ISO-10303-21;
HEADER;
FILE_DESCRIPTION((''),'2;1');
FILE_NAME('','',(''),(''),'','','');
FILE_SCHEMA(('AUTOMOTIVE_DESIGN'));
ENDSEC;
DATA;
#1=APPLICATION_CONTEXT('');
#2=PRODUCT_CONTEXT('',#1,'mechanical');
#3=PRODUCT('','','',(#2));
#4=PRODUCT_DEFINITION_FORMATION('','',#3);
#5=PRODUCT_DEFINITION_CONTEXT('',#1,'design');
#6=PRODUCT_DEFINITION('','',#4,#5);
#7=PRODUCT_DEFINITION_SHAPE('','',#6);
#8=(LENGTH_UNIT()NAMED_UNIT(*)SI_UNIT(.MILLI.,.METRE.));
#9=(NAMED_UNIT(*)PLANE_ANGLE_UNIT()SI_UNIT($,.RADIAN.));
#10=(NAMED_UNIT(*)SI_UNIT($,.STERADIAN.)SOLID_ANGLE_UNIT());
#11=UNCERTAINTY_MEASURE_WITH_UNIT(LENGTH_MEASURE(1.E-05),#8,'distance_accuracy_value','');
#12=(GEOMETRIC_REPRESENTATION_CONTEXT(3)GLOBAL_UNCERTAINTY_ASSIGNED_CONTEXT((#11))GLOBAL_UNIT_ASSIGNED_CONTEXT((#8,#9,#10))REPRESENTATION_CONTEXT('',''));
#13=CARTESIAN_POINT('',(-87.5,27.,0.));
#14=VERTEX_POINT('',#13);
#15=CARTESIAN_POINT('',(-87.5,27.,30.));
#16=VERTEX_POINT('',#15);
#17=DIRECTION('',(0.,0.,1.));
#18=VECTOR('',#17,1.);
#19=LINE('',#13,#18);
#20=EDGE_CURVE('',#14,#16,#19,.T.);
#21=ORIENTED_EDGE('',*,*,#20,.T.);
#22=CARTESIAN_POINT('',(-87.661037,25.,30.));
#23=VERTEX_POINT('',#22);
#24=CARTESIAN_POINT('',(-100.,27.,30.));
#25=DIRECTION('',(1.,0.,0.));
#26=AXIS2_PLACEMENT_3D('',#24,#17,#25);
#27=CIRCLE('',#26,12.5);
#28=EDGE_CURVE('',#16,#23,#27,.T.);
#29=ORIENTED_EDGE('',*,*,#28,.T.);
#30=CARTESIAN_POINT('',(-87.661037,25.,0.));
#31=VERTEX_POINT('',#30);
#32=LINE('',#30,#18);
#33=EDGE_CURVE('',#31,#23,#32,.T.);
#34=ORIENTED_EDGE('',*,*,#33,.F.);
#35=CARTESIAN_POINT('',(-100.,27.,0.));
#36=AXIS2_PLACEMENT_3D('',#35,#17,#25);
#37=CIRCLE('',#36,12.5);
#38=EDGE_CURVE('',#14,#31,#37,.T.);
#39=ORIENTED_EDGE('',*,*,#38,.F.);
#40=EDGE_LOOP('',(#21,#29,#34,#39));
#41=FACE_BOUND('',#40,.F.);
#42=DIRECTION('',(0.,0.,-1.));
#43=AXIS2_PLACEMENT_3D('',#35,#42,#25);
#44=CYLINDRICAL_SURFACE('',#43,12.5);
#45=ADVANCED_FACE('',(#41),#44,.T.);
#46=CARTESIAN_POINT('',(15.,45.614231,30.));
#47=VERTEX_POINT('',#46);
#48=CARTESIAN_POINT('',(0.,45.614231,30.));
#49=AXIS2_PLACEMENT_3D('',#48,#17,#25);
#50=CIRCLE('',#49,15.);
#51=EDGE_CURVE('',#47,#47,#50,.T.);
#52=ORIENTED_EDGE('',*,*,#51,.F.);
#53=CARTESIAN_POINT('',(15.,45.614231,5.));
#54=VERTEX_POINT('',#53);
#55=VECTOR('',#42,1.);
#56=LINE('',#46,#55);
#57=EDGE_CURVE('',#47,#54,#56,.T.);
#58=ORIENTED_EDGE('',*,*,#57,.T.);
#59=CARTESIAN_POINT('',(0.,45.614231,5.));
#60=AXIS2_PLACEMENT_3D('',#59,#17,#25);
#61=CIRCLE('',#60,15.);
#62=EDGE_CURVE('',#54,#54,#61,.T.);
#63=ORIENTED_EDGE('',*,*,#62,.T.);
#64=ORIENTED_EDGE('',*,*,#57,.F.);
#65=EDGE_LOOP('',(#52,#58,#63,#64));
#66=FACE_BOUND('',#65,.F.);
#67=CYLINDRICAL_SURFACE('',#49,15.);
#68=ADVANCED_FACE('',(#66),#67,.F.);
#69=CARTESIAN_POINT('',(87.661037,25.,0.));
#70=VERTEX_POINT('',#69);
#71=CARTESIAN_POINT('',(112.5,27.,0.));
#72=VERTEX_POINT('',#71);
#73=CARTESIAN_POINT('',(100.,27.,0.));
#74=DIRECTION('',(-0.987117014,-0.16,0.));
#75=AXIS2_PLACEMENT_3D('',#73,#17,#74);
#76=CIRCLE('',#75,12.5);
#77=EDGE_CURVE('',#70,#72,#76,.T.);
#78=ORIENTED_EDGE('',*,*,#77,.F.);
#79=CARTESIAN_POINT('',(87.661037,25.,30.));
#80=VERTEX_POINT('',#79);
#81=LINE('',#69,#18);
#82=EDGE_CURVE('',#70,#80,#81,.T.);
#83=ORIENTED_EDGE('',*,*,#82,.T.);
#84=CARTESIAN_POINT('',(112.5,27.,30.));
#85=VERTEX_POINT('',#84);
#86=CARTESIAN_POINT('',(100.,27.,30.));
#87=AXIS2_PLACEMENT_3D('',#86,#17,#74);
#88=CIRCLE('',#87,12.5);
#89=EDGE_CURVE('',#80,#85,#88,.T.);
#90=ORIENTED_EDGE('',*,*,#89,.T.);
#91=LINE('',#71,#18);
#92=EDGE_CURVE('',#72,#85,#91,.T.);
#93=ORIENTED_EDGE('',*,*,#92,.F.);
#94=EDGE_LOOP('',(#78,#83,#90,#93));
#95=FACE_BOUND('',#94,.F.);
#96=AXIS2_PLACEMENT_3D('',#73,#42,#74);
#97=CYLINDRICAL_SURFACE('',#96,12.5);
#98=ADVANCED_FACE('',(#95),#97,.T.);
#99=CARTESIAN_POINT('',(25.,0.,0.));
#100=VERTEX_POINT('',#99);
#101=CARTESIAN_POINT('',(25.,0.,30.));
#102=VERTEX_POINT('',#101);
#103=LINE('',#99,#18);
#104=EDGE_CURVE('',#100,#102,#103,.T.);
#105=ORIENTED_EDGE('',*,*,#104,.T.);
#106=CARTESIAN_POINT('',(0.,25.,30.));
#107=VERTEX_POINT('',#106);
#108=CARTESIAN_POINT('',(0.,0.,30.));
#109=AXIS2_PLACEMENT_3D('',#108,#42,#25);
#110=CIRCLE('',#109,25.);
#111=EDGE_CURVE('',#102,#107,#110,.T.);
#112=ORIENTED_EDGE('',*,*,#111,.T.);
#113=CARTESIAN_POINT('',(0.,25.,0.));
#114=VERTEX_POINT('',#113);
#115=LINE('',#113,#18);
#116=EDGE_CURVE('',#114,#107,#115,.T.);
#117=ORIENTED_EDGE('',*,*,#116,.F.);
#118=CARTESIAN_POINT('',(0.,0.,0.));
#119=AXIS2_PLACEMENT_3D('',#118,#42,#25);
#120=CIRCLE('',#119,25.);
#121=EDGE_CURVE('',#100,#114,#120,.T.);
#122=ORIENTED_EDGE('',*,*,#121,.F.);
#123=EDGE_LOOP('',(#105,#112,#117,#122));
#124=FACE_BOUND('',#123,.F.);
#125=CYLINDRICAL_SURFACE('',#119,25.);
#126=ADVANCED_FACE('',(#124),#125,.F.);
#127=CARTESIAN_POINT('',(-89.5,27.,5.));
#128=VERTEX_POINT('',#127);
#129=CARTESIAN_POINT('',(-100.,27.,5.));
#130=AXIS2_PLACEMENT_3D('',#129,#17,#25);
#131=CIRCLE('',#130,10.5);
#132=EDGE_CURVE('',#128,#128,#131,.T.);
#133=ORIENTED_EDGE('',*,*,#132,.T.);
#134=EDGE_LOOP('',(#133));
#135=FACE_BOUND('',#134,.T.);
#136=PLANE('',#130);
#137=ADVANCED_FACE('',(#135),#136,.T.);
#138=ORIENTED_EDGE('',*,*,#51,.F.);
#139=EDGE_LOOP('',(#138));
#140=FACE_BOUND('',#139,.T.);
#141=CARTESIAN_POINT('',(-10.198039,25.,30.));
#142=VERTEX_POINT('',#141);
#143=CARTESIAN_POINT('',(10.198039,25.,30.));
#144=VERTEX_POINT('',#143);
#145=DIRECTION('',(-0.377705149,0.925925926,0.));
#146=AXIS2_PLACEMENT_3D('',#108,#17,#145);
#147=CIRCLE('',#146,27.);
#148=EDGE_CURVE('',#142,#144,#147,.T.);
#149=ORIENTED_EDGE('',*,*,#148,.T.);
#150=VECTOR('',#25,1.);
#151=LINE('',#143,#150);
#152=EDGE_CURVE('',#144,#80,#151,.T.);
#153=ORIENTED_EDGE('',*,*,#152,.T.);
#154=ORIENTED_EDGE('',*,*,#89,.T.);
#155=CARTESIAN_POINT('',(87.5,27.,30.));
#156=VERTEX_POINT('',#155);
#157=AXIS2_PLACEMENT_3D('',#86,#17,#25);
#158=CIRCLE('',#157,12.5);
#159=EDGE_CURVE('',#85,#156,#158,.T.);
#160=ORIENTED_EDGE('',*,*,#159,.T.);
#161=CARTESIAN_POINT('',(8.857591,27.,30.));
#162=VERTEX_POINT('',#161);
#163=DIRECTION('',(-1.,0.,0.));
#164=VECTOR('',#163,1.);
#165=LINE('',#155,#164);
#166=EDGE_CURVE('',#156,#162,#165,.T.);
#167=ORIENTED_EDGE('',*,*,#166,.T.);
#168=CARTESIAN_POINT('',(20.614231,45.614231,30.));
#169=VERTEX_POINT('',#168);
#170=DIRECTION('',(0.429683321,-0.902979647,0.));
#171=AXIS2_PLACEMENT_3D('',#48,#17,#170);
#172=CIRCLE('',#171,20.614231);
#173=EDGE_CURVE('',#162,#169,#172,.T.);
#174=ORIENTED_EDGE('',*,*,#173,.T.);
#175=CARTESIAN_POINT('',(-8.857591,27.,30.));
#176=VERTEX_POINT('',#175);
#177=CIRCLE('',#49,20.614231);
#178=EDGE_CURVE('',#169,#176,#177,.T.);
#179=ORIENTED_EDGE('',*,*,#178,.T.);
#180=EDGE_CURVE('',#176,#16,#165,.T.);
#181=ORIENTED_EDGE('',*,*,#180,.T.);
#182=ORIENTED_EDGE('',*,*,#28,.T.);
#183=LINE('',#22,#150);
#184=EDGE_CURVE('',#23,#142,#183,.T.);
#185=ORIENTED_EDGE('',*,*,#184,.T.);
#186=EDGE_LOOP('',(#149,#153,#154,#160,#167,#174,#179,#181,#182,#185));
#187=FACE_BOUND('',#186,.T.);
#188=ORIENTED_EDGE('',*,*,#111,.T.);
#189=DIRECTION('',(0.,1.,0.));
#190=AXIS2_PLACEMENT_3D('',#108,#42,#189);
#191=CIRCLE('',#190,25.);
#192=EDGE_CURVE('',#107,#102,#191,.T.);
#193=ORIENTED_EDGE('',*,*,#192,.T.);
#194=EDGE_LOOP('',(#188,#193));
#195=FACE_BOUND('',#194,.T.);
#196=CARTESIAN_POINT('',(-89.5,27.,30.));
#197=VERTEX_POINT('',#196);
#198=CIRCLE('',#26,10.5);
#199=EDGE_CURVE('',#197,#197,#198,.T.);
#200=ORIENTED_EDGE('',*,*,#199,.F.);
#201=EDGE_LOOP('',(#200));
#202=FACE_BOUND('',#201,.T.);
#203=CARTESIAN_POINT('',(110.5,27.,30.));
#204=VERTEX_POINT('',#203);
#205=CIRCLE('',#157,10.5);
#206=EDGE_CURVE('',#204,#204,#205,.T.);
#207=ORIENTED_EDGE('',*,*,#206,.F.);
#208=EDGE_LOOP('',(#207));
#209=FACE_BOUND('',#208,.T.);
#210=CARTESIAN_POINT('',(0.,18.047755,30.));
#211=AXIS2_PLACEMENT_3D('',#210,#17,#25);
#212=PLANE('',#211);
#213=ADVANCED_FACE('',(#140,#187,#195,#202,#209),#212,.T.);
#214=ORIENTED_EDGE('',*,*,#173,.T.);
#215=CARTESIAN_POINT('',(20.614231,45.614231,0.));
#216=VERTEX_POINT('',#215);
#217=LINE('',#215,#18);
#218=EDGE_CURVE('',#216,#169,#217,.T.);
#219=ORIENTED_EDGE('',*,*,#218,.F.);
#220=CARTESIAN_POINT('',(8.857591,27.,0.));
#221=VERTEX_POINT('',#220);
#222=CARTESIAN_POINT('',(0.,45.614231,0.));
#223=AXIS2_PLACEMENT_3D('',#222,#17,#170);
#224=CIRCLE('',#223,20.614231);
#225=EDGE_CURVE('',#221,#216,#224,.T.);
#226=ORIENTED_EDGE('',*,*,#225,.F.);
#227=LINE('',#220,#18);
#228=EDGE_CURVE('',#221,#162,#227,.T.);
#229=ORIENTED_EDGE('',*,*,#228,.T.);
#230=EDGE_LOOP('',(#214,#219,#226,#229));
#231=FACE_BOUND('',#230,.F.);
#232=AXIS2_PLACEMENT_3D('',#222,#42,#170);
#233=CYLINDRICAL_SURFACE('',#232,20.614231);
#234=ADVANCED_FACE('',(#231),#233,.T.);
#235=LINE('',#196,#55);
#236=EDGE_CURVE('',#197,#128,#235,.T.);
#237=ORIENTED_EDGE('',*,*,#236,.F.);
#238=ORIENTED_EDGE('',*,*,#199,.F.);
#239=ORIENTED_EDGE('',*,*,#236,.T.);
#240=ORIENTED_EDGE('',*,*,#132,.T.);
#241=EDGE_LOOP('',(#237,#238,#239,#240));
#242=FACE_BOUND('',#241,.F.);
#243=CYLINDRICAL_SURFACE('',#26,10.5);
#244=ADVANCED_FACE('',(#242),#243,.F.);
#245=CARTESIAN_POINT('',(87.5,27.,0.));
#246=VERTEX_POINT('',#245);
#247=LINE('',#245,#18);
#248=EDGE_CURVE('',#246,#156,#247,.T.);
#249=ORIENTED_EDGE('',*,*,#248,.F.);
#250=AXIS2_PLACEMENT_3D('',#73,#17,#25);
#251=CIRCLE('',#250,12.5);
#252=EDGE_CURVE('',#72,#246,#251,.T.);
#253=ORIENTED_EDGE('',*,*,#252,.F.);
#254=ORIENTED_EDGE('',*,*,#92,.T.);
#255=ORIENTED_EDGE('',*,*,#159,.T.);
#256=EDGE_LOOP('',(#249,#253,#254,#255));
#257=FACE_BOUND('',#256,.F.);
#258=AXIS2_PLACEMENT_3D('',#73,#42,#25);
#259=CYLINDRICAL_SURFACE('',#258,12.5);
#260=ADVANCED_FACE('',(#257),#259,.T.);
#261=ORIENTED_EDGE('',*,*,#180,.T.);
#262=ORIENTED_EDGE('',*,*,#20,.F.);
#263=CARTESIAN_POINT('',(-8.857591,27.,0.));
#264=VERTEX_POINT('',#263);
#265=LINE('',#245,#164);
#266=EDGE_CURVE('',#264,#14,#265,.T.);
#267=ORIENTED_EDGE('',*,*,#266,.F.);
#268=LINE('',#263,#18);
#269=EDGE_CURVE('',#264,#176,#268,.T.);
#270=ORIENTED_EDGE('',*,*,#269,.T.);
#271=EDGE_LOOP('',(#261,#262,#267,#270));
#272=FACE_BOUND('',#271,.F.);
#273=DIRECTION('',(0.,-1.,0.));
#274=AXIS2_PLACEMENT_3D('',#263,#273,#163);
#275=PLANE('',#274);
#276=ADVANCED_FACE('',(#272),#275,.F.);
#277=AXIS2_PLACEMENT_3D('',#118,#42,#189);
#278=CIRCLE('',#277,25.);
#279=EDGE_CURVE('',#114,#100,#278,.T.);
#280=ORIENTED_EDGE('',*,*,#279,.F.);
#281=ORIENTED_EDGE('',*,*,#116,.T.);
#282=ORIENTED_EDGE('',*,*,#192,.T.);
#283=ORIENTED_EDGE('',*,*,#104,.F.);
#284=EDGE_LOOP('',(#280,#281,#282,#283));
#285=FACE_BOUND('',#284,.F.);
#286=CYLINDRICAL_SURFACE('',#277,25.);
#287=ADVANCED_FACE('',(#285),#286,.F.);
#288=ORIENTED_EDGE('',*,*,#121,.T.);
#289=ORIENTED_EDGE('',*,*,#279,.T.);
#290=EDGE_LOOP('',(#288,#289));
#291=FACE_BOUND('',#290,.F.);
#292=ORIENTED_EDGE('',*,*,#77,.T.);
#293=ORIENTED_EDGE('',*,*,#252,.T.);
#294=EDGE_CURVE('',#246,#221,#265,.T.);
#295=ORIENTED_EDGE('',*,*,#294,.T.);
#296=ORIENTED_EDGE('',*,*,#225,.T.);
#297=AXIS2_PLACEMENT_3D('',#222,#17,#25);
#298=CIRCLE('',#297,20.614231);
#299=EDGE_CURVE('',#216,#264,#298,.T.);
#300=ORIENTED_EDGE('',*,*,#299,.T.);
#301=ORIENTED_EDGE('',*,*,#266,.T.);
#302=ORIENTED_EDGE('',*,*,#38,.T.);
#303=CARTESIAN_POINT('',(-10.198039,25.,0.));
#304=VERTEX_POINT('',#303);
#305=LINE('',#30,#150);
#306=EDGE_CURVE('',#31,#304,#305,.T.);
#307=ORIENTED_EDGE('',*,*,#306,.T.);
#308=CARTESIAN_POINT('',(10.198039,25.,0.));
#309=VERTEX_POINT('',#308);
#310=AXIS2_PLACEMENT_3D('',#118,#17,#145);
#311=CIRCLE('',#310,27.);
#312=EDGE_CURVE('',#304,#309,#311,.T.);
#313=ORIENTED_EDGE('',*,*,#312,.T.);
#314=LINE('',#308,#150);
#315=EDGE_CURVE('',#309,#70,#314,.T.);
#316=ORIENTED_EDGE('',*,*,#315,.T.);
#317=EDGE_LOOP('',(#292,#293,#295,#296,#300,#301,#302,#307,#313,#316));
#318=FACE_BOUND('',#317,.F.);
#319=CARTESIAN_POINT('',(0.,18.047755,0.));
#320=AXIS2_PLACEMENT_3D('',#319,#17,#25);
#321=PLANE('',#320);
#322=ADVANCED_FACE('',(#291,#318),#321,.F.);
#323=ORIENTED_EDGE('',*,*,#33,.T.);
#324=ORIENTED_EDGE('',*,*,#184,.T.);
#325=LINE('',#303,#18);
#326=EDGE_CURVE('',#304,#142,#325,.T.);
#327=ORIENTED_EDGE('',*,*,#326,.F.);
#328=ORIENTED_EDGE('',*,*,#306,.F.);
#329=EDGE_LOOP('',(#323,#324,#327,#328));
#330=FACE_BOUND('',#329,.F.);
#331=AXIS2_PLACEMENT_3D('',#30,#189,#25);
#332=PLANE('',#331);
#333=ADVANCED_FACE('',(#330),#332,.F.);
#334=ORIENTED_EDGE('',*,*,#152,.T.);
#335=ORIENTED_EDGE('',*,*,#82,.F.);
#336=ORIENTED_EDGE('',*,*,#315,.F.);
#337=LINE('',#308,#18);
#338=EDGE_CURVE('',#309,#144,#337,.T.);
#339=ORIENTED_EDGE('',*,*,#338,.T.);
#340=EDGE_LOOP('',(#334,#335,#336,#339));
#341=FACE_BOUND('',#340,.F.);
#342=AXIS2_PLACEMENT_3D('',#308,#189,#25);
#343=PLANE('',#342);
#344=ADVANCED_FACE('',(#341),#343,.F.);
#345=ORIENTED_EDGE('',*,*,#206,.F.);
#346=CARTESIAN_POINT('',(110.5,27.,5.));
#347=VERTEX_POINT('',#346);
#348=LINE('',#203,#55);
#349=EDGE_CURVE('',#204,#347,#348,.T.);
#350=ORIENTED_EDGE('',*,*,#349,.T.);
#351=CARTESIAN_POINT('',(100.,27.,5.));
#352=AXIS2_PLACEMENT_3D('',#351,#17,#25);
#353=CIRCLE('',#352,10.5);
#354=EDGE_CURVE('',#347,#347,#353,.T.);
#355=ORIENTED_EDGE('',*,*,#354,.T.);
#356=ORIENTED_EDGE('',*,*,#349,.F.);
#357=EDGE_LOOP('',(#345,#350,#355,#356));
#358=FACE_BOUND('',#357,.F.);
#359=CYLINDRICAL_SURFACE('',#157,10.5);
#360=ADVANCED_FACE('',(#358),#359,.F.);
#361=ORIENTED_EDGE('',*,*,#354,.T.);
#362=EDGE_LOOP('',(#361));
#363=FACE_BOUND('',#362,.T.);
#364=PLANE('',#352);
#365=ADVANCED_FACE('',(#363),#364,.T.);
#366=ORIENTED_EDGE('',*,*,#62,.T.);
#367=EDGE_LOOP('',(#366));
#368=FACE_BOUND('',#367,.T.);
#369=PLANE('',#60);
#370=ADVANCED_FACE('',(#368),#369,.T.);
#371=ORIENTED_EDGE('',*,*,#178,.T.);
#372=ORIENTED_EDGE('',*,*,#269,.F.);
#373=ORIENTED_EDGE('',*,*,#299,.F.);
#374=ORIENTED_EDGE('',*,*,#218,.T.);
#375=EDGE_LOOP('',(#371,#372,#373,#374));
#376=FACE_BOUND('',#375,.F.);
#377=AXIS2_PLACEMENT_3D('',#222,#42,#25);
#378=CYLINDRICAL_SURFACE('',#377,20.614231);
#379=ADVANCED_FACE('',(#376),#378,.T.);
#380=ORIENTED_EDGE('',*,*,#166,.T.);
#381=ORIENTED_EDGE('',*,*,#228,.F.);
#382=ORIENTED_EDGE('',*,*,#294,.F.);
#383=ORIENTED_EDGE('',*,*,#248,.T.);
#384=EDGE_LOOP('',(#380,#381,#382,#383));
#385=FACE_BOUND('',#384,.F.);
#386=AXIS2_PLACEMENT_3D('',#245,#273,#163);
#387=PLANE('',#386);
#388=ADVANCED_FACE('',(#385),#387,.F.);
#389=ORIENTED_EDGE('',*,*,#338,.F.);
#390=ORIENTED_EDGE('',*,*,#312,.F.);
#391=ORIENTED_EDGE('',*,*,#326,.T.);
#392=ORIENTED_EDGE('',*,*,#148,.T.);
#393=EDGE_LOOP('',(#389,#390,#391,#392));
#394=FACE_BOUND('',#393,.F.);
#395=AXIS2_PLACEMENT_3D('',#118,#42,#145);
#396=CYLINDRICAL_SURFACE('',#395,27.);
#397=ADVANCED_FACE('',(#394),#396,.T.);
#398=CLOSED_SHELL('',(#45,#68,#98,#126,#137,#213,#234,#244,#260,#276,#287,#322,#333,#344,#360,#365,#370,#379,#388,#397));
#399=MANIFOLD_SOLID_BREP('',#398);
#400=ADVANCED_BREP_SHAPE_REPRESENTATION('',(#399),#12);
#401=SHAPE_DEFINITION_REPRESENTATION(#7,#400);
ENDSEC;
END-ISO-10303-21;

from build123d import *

# Parameters (mm, degrees)
F1_DEPTH = 30
F2_R     = 10.5
F3_DEPTH = 25
F2_R_2   = 15
F4_DEPTH = 25


with BuildPart() as f1:
    # F0 (on Top) → F1 (new body)
    with BuildSketch(Plane.XY):
        with BuildLine():
            ThreePointArc((8.8575914058, 27), (4.5402897901, 25.5062154657), (0, 25))
            ThreePointArc((0, 25), (-4.5402897901, 25.5062154657), (-8.8575914058, 27))
            Line((-8.8575914058, 27), (-87.5, 27))
            ThreePointArc((-87.5, 27), (-87.5403243724, 25.9967636098), (-87.6610373207, 25))
            Line((-87.6610373207, 25), (-10.1980390272, 25))
            ThreePointArc((-10.1980390272, 25), (0, -27), (10.1980390272, 25))
            Line((10.1980390272, 25), (87.6610373207, 25))
            ThreePointArc((87.6610373207, 25), (87.5403243724, 25.9967636098), (87.5, 27))
            Line((87.5, 27), (8.8575914058, 27))
        make_face()
        with BuildLine():
            ThreePointArc((0, 25), (17.6776695297, 17.6776695297), (25, 0))
            ThreePointArc((25, 0), (-17.6776695297, -17.6776695297), (0, 25))
        make_face(mode=Mode.SUBTRACT)
        with BuildLine():
            ThreePointArc((112.5, 27), (100, 39.5), (87.5, 27))
            Line((87.5, 27), (100, 27))
            Line((100, 27), (100, 25))
            Line((100, 25), (87.6610373207, 25))
            ThreePointArc((87.6610373207, 25), (101.0032363902, 14.5403243724), (112.5, 27))
        make_face()
        with BuildLine():
            Line((100, 27), (87.5, 27))
            ThreePointArc((87.5, 27), (87.5403243724, 25.9967636098), (87.6610373207, 25))
            Line((87.6610373207, 25), (100, 25))
            Line((100, 25), (100, 27))
        make_face()
        with BuildLine():
            Line((-100, 27), (-87.5, 27))
            ThreePointArc((-87.5, 27), (-112.4596756276, 28.0032363902), (-87.6610373207, 25))
            Line((-87.6610373207, 25), (-100, 25))
            Line((-100, 25), (-100, 27))
        make_face()
        with BuildLine():
            ThreePointArc((-8.8575914058, 27), (-4.5402897901, 25.5062154657), (0, 25))
            ThreePointArc((0, 25), (4.5402897901, 25.5062154657), (8.8575914058, 27))
            Line((8.8575914058, 27), (0, 27))
            Line((0, 27), (-8.8575914058, 27))
        make_face()
        with BuildLine():
            ThreePointArc((20.6142313778, 45.6142313778), (-11.0080447085, 63.0432154846), (-8.8575914058, 27))
            Line((-8.8575914058, 27), (0, 27))
            Line((0, 27), (8.8575914058, 27))
            ThreePointArc((8.8575914058, 27), (17.4289841068, 34.6061866693), (20.6142313778, 45.6142313778))
        make_face()
        with BuildLine():
            ThreePointArc((-87.6610373207, 25), (-87.5403243724, 25.9967636098), (-87.5, 27))
            Line((-87.5, 27), (-100, 27))
            Line((-100, 27), (-100, 25))
            Line((-100, 25), (-87.6610373207, 25))
        make_face()
    extrude(amount=F1_DEPTH)

    # F2 (on face) → F3 (cut)
    with BuildSketch(Plane.XY.offset(30)):
        with Locations((100, 27)):
            Circle(F2_R)
        with Locations((-100, 27)):
            Circle(F2_R)
    extrude(amount=-F3_DEPTH, mode=Mode.SUBTRACT)

    # F2 (on face) → F4 (cut)
    with BuildSketch(Plane.XY.offset(30)):
        with Locations((0, 45.6142313778)):
            Circle(F2_R_2)
    extrude(amount=-F4_DEPTH, mode=Mode.SUBTRACT)


solid = f1.part
